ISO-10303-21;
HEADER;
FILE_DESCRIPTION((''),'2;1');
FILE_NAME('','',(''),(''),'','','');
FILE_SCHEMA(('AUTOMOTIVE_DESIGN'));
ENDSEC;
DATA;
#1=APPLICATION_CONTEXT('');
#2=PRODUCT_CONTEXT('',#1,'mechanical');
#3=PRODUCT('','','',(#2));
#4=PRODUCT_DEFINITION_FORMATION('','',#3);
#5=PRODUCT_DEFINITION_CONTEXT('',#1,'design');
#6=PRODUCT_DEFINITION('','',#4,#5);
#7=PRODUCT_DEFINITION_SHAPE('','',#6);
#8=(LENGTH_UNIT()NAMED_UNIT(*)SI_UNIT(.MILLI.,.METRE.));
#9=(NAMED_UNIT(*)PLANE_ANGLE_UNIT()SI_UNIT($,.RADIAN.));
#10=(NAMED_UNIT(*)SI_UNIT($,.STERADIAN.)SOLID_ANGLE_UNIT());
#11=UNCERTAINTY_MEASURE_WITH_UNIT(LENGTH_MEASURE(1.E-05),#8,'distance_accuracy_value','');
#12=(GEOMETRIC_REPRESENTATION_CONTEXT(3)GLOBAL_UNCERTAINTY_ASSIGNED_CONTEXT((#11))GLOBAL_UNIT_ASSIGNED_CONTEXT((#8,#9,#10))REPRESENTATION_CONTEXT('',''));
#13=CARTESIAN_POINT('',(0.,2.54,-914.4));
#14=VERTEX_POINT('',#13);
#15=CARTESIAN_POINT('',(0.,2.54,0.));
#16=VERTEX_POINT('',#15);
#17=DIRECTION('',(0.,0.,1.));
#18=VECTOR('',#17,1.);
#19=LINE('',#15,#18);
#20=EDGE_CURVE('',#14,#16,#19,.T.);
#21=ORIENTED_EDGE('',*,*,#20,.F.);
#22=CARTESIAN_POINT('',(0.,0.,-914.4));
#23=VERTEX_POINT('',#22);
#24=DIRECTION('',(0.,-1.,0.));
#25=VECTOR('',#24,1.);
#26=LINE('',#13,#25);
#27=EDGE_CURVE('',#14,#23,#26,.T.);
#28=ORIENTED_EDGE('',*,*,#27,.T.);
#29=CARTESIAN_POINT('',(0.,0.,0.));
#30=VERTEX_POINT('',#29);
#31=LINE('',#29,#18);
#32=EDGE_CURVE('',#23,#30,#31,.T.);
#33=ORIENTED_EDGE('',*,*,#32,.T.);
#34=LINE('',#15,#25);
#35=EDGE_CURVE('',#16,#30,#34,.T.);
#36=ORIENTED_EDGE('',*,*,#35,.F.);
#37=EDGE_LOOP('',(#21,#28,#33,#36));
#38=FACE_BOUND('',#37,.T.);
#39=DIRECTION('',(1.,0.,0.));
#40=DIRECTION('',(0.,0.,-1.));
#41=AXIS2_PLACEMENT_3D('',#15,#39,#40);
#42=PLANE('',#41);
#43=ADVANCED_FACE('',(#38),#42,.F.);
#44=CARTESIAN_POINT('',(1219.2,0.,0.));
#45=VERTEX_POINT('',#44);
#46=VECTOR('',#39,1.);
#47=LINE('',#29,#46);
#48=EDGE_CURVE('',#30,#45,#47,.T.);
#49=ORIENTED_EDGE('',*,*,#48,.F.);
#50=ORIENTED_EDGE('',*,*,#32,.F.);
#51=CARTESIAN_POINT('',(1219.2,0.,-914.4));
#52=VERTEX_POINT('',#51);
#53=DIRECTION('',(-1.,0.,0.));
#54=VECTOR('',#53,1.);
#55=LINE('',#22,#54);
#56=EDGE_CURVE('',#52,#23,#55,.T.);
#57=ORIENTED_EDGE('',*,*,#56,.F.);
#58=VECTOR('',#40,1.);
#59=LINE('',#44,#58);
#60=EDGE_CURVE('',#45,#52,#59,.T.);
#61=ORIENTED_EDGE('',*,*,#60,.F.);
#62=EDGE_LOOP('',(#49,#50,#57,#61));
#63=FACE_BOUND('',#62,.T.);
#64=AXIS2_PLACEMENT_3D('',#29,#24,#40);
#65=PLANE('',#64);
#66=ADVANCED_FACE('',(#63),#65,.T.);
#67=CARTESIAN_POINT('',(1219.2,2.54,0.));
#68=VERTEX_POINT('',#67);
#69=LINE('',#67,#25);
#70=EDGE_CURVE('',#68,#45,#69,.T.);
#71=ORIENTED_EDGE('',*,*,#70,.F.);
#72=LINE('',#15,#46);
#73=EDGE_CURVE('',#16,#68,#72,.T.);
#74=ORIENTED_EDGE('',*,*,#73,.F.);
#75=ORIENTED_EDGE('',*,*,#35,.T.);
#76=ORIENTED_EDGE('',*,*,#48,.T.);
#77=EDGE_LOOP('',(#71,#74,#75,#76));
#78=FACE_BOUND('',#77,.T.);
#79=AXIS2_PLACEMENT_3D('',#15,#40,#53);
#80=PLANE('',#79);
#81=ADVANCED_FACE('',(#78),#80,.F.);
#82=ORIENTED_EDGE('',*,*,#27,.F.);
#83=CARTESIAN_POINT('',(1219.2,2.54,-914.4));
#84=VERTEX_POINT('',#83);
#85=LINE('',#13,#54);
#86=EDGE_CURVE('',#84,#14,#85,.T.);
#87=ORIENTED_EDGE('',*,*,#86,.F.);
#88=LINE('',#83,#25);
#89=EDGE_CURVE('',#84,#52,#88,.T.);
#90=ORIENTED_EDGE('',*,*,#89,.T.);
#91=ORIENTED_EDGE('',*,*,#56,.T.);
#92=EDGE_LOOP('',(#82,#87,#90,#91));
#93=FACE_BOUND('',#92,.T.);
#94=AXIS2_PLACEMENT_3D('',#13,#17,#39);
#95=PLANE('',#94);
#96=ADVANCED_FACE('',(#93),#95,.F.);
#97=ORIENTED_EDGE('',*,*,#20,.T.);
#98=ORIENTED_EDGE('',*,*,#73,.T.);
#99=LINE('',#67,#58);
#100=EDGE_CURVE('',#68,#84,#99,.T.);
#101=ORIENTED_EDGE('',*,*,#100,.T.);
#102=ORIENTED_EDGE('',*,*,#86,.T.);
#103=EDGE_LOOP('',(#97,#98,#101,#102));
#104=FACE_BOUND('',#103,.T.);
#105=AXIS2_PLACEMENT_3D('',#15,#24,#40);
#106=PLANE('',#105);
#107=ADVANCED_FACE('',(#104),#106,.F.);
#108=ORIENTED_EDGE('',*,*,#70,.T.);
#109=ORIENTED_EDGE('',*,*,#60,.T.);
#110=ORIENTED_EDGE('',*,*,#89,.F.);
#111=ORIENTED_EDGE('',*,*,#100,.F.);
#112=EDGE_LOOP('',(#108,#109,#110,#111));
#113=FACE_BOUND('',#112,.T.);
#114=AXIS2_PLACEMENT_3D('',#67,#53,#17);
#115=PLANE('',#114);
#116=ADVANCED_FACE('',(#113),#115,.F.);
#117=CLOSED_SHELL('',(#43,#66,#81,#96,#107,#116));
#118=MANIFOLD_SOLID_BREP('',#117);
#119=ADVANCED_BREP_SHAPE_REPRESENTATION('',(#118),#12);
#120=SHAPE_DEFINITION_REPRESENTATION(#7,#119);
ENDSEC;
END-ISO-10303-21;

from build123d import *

# Parameters (mm, degrees)
SKETCH1_W           = 1219.2
SKETCH1_H           = 914.4
BOSS_EXTRUDE1_DEPTH = 2.54


with BuildPart() as part:
    # Sketch1 → Boss-Extrude1 (new body)
    with BuildSketch(Plane(origin=(0, 0, 0), x_dir=(1, 0, 0), z_dir=(0, 1, 0))):
        with Locations((609.6, 457.2)):
            Rectangle(SKETCH1_W, SKETCH1_H)
    extrude(amount=BOSS_EXTRUDE1_DEPTH)


solid = part.part
